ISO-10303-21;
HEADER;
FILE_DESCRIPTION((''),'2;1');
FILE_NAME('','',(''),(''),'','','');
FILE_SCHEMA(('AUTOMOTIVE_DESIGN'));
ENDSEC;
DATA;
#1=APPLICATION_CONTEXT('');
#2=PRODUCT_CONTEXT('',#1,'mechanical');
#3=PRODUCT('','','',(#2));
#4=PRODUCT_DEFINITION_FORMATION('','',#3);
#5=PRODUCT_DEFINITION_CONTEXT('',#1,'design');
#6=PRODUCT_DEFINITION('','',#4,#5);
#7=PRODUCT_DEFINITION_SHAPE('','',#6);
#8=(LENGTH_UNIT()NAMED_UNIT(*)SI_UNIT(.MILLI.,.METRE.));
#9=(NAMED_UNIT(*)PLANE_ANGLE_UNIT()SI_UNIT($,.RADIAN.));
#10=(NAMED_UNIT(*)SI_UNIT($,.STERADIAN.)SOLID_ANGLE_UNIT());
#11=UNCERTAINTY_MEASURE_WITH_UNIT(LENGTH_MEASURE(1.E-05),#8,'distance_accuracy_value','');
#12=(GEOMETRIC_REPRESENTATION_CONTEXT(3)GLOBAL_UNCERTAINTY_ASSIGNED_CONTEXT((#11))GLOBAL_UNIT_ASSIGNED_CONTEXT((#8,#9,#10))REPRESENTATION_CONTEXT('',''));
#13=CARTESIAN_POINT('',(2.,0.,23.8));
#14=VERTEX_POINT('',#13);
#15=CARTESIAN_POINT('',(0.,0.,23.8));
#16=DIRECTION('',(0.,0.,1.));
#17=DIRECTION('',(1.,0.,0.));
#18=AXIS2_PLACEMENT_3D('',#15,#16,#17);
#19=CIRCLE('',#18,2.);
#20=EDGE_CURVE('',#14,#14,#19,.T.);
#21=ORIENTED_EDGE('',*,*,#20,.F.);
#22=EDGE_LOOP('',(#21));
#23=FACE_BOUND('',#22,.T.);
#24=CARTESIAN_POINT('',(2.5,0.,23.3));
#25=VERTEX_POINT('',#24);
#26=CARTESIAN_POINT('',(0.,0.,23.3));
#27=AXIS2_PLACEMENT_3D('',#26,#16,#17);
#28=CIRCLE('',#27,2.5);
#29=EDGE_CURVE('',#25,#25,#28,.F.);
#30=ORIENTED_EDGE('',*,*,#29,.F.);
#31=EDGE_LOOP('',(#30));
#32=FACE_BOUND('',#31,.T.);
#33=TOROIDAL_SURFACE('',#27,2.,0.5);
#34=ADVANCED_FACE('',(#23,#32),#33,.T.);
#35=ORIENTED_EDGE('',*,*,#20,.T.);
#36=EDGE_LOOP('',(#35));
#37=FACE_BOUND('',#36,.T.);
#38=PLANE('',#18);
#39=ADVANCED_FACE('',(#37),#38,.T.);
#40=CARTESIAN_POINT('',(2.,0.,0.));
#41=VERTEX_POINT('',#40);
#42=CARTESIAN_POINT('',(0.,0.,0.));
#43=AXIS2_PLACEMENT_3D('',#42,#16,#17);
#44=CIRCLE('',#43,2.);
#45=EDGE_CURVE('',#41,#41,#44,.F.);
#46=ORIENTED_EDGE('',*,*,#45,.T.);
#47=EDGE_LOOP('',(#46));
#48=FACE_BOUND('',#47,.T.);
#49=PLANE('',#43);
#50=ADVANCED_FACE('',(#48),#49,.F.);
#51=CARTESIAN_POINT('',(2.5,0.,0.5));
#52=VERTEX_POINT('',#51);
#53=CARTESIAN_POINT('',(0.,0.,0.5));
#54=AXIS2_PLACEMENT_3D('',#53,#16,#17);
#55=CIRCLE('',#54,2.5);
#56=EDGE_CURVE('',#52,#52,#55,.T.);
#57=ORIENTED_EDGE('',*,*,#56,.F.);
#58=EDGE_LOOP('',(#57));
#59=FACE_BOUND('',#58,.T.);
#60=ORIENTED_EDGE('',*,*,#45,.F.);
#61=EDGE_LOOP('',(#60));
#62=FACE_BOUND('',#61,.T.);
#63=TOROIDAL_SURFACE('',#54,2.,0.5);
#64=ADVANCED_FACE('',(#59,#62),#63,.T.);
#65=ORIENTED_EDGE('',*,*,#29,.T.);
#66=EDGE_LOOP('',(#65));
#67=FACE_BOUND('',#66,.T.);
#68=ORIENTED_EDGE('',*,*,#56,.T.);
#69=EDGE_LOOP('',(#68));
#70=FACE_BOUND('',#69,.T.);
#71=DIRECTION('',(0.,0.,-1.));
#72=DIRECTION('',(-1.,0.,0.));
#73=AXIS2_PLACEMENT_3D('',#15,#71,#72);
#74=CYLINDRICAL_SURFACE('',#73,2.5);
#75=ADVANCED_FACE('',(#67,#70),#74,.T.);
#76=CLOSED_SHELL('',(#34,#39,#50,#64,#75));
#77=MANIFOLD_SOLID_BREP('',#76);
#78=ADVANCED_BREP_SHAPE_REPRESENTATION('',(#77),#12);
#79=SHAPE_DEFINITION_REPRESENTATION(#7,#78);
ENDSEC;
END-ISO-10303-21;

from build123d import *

# Parameters (mm, degrees)
ESQUISSE1_R          = 2.5
BASE_EXTRUSION_DEPTH = 23.8
CONG_1_R             = 0.5


with BuildPart() as part:
    # Esquisse1 → Base-Extrusion (new body)
    with BuildSketch(Plane.XY):
        Circle(ESQUISSE1_R)
    extrude(amount=BASE_EXTRUSION_DEPTH)

    # Congé1
    cong_1_edges = [part.edges().sort_by_distance(p)[0] for p in [
        (-2.5, 0, 0),
        (-2.5, 0, 23.8),
    ]]
    fillet(cong_1_edges, radius=CONG_1_R)


solid = part.part
